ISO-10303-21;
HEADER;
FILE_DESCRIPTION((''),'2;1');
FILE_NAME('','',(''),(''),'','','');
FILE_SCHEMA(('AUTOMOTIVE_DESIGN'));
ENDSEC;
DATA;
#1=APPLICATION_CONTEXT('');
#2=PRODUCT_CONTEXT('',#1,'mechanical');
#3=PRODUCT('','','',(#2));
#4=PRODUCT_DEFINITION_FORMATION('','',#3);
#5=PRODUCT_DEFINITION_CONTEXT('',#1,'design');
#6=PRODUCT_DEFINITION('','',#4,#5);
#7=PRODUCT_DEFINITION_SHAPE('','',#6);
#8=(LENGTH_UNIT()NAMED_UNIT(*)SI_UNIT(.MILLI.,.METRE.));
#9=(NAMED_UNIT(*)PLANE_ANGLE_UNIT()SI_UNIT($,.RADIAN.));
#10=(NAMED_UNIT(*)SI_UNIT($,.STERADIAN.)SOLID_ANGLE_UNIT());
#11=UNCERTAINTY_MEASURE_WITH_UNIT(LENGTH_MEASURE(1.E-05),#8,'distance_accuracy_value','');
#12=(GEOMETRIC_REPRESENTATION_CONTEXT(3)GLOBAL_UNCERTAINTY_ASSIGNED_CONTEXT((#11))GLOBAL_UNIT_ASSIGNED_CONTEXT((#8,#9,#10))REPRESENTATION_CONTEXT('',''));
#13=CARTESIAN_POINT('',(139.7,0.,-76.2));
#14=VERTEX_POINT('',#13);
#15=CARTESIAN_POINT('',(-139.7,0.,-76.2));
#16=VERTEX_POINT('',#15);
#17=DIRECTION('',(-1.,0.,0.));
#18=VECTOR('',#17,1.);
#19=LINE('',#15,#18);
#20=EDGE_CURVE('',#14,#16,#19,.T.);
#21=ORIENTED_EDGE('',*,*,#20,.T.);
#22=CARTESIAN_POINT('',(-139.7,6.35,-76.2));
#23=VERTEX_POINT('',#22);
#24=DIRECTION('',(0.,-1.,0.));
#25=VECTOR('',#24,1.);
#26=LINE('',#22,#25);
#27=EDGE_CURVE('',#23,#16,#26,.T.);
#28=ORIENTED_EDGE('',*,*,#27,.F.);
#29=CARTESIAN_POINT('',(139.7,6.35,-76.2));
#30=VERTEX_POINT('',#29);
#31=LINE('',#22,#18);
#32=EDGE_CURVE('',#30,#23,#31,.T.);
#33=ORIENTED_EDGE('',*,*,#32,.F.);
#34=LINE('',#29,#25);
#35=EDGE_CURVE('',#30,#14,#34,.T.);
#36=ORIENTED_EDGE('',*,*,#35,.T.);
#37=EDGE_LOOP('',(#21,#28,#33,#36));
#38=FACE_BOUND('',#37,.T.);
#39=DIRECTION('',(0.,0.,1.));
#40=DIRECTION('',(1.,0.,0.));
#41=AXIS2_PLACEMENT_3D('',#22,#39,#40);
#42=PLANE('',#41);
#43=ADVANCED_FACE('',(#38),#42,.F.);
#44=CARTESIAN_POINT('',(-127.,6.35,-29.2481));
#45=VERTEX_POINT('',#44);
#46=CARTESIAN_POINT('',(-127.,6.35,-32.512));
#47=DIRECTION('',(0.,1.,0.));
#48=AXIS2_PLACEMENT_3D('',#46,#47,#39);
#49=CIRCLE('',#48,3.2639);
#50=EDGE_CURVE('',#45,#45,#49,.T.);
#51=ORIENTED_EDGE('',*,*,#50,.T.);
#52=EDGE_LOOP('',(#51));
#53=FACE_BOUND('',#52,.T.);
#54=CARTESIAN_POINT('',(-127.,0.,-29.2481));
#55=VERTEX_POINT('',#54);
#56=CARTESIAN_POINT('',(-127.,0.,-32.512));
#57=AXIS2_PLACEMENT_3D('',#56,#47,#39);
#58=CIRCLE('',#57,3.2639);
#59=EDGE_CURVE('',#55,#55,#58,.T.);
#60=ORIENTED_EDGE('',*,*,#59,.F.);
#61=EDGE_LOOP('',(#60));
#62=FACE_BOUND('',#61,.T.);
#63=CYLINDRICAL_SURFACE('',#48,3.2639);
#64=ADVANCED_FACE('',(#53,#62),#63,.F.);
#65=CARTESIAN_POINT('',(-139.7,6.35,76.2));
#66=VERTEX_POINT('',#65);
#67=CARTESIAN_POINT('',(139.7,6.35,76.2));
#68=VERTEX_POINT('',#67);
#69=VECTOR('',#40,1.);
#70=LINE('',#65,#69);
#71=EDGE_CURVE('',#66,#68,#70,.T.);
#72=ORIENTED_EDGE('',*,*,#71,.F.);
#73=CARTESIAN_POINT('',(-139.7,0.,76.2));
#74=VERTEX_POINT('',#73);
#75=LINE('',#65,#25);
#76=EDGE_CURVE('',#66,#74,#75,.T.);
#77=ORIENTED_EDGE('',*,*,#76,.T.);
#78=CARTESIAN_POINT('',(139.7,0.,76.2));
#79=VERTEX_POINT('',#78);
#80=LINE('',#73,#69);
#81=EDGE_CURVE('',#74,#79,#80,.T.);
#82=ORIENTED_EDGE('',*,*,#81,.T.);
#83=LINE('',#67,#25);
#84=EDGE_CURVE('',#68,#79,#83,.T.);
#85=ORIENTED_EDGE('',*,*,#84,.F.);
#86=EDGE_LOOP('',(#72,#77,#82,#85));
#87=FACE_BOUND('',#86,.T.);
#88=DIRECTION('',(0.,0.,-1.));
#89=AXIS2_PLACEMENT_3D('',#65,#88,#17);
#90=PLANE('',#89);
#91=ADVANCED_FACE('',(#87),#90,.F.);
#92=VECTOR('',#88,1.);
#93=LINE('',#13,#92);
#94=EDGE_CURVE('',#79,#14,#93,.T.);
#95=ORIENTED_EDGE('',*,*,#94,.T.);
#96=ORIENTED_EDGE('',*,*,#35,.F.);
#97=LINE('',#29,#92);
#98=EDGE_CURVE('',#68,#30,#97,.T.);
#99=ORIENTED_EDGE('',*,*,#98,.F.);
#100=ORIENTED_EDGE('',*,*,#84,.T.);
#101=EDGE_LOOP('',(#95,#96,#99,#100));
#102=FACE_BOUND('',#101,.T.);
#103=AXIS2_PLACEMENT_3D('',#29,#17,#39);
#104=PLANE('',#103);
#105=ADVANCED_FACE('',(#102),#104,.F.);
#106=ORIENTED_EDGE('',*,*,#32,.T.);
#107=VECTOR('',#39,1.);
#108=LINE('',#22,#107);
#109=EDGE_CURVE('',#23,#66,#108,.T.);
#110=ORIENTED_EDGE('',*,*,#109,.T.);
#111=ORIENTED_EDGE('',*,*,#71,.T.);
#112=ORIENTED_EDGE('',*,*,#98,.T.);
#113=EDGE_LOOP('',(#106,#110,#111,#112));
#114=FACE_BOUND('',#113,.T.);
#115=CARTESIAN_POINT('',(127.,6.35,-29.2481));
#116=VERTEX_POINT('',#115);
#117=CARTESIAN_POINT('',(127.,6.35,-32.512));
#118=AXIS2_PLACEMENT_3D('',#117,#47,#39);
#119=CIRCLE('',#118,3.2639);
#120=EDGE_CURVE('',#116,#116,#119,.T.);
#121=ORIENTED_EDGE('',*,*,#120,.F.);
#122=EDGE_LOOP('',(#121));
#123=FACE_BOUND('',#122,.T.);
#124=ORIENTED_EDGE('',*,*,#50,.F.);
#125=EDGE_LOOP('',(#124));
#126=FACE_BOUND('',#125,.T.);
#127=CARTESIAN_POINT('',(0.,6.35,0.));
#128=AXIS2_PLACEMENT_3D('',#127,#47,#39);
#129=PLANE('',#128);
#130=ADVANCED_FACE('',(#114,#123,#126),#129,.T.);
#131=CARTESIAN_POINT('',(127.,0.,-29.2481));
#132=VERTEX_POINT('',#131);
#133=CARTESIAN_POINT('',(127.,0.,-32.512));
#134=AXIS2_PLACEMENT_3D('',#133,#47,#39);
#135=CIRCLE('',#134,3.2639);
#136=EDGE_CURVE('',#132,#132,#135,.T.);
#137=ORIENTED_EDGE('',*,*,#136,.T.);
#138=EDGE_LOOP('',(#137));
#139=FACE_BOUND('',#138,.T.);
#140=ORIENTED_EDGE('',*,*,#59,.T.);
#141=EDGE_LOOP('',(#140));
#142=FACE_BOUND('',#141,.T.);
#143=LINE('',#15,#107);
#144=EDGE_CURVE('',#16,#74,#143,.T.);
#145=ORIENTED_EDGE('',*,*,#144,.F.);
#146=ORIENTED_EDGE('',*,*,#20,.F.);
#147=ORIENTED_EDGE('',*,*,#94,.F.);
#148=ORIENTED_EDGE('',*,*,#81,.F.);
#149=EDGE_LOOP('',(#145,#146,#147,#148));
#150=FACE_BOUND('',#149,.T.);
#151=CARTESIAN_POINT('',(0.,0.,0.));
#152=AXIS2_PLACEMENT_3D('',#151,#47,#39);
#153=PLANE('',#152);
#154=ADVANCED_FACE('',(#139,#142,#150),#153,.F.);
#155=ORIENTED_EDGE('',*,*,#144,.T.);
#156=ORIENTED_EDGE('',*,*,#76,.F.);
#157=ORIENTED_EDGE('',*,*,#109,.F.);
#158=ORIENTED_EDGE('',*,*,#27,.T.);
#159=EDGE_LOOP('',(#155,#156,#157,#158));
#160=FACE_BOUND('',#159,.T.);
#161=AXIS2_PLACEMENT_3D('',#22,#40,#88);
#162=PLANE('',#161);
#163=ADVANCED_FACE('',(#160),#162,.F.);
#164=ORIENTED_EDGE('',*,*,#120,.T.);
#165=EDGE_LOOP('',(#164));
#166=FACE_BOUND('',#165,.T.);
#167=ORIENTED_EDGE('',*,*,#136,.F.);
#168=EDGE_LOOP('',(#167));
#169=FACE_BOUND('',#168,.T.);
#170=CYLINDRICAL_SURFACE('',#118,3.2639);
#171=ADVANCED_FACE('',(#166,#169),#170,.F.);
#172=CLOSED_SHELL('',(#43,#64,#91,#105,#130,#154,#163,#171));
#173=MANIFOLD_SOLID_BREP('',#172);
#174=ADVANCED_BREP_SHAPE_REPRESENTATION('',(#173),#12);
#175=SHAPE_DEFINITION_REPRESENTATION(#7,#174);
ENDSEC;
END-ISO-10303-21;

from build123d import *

# Parameters (mm, degrees)
SKETCH1_W                = 279.4
SKETCH1_H                = 152.4
BOSS_EXTRUDE1_DEPTH      = 6.35
F_0_257_DIAMETER_HOLE1_D = 6.5278


with BuildPart() as part:
    # Sketch1 → Boss-Extrude1 (new body)
    with BuildSketch(Plane(origin=(0, 0, 0), x_dir=(1, 0, 0), z_dir=(0, 1, 0))):
        Rectangle(SKETCH1_W, SKETCH1_H)
    extrude(amount=BOSS_EXTRUDE1_DEPTH)

    # F (0.257) Diameter Hole1 (through all)
    with Locations(Plane(origin=(0, 6.35, 0), x_dir=(1, 0, 0), z_dir=(0, 1, 0))):
        with Locations((-127, 32.512), (127, 32.512)):
            Hole(F_0_257_DIAMETER_HOLE1_D / 2)


solid = part.part
